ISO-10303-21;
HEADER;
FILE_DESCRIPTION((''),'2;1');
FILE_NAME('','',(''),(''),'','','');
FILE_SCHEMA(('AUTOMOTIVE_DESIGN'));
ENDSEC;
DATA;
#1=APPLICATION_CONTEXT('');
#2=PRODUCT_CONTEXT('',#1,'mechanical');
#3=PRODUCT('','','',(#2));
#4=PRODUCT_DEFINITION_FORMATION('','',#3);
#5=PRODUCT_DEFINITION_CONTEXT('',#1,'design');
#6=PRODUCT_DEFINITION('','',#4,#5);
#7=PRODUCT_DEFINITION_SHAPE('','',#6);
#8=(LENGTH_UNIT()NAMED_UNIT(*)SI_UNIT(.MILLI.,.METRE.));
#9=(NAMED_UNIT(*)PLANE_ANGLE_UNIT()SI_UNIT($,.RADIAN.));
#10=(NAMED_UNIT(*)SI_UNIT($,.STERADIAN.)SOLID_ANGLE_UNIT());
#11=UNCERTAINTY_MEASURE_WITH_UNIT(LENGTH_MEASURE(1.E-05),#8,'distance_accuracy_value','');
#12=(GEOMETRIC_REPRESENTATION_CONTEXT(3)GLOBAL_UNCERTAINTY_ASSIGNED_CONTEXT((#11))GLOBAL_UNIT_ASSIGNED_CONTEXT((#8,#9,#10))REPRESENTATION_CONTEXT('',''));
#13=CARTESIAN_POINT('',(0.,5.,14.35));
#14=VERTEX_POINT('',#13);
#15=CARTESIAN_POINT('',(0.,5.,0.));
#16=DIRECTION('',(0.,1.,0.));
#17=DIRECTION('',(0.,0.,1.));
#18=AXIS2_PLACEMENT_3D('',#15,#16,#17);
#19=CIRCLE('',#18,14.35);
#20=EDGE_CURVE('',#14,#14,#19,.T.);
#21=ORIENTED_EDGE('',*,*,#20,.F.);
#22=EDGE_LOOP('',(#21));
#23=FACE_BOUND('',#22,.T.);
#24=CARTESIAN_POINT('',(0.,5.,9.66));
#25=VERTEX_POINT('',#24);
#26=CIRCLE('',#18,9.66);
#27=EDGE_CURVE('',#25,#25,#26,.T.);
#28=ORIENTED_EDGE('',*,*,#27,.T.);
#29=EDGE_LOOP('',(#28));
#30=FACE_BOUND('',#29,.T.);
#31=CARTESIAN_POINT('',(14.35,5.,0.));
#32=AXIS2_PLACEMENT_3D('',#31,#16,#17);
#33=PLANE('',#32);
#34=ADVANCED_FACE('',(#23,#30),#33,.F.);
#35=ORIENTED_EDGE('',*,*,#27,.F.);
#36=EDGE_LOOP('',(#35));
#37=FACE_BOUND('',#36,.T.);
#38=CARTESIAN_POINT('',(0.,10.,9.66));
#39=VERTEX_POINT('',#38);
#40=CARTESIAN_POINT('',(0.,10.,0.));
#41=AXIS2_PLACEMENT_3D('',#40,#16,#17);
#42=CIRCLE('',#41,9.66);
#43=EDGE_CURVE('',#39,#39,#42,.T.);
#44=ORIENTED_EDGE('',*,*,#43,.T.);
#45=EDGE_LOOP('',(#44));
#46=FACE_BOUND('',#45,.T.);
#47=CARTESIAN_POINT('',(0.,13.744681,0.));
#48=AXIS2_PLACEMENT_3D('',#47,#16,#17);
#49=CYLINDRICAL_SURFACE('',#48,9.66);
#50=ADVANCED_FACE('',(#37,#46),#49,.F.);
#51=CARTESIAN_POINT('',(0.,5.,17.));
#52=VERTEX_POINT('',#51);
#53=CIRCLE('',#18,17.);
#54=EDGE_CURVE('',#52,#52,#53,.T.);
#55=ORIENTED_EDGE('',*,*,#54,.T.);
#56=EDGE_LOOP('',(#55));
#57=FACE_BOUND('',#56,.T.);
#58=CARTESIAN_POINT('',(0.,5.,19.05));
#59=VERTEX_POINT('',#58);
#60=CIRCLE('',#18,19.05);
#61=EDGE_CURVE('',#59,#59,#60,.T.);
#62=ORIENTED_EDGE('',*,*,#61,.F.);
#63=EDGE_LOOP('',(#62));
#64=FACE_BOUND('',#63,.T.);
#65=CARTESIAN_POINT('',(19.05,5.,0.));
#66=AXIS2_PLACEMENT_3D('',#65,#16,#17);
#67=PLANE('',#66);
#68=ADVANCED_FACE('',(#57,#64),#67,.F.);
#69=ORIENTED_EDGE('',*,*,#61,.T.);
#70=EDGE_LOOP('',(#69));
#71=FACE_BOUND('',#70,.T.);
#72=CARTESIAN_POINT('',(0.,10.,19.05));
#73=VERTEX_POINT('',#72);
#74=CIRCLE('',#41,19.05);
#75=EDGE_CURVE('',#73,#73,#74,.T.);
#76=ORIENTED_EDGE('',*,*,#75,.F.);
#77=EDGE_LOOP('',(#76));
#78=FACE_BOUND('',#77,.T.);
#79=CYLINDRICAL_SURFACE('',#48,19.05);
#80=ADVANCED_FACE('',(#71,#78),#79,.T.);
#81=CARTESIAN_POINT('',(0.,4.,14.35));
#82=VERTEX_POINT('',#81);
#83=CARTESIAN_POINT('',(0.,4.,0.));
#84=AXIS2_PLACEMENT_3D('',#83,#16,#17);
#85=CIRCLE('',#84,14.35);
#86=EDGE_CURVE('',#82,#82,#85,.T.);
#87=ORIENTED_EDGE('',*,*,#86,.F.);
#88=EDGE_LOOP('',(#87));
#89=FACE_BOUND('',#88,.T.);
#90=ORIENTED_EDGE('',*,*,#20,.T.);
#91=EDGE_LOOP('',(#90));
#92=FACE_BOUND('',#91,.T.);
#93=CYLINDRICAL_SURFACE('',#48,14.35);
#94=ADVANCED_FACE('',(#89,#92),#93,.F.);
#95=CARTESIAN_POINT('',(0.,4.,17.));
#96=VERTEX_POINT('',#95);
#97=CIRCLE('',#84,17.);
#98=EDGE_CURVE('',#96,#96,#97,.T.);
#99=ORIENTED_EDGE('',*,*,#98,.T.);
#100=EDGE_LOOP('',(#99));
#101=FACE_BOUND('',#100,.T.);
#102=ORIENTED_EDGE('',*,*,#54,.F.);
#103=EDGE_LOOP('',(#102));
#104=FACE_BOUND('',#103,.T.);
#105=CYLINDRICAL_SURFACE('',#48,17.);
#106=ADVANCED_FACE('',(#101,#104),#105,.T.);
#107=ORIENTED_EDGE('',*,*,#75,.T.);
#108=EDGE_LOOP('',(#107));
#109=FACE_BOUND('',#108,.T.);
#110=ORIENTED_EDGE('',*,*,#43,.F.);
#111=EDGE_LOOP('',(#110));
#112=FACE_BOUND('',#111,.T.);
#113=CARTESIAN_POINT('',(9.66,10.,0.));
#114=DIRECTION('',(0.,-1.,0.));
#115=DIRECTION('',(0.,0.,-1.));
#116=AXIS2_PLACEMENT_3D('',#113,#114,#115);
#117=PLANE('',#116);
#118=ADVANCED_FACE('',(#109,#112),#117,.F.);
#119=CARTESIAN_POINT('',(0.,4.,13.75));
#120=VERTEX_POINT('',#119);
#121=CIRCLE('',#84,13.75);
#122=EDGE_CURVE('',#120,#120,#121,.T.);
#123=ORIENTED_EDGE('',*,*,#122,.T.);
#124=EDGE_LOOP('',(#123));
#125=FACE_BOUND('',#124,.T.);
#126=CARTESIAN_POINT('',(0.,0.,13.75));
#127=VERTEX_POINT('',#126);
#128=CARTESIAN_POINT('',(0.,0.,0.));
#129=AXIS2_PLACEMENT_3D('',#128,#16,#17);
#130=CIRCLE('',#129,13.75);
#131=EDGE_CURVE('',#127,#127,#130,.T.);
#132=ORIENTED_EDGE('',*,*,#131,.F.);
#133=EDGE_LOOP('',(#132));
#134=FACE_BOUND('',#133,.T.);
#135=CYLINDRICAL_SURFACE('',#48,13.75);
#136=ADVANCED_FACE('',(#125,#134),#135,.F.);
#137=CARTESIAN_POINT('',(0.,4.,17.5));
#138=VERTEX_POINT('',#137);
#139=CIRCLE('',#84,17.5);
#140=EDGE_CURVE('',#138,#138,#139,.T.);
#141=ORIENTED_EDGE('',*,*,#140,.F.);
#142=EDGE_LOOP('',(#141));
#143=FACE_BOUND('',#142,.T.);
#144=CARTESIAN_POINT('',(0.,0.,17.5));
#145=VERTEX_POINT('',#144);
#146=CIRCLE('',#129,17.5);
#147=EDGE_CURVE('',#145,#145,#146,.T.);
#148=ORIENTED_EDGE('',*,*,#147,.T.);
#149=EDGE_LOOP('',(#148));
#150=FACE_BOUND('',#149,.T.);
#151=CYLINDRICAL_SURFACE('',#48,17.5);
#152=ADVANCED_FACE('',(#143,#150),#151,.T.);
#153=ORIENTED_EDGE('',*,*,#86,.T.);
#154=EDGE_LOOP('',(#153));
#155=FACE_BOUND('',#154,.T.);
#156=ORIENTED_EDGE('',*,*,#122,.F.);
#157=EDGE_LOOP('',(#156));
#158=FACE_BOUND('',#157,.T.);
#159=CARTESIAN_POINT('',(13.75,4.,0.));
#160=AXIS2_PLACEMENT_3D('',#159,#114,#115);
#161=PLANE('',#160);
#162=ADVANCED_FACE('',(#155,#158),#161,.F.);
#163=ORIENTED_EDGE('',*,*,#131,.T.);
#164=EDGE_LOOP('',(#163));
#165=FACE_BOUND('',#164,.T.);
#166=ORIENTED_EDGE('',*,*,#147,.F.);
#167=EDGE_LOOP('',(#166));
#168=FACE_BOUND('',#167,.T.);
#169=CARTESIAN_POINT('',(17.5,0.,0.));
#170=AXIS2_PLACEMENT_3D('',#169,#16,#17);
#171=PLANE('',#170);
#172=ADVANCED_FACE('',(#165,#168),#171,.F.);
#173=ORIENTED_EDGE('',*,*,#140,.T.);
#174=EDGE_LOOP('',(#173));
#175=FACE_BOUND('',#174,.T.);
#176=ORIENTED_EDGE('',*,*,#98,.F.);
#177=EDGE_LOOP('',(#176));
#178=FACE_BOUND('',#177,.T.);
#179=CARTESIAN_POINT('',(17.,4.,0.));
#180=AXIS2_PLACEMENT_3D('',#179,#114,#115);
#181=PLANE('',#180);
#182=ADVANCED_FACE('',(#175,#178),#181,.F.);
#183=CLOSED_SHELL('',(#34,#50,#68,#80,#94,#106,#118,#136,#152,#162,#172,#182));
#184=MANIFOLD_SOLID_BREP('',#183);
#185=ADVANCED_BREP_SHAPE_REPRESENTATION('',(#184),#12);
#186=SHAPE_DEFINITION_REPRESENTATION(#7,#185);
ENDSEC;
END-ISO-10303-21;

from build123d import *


with BuildPart() as part:
    # 草图1 → 旋转1 (revolve)
    with BuildSketch(Plane.XY, mode=Mode.PRIVATE) as revolve_1_sk:
        Polygon((17.5, 0), (13.75, 0), (13.75, 4), (14.35, 4), (14.35, 5), (9.66, 5), (9.66, 10), (19.05, 10), (19.05, 5), (17, 5), (17, 4), (17.5, 4), align=None)
    revolve(revolve_1_sk.sketch.rotate(Axis((0, 13.744680851, 0), (0, -1, 0)), 90), axis=Axis((0, 13.744680851, 0), (0, -1, 0)))  # turned: the seam where the file's is


solid = part.part
